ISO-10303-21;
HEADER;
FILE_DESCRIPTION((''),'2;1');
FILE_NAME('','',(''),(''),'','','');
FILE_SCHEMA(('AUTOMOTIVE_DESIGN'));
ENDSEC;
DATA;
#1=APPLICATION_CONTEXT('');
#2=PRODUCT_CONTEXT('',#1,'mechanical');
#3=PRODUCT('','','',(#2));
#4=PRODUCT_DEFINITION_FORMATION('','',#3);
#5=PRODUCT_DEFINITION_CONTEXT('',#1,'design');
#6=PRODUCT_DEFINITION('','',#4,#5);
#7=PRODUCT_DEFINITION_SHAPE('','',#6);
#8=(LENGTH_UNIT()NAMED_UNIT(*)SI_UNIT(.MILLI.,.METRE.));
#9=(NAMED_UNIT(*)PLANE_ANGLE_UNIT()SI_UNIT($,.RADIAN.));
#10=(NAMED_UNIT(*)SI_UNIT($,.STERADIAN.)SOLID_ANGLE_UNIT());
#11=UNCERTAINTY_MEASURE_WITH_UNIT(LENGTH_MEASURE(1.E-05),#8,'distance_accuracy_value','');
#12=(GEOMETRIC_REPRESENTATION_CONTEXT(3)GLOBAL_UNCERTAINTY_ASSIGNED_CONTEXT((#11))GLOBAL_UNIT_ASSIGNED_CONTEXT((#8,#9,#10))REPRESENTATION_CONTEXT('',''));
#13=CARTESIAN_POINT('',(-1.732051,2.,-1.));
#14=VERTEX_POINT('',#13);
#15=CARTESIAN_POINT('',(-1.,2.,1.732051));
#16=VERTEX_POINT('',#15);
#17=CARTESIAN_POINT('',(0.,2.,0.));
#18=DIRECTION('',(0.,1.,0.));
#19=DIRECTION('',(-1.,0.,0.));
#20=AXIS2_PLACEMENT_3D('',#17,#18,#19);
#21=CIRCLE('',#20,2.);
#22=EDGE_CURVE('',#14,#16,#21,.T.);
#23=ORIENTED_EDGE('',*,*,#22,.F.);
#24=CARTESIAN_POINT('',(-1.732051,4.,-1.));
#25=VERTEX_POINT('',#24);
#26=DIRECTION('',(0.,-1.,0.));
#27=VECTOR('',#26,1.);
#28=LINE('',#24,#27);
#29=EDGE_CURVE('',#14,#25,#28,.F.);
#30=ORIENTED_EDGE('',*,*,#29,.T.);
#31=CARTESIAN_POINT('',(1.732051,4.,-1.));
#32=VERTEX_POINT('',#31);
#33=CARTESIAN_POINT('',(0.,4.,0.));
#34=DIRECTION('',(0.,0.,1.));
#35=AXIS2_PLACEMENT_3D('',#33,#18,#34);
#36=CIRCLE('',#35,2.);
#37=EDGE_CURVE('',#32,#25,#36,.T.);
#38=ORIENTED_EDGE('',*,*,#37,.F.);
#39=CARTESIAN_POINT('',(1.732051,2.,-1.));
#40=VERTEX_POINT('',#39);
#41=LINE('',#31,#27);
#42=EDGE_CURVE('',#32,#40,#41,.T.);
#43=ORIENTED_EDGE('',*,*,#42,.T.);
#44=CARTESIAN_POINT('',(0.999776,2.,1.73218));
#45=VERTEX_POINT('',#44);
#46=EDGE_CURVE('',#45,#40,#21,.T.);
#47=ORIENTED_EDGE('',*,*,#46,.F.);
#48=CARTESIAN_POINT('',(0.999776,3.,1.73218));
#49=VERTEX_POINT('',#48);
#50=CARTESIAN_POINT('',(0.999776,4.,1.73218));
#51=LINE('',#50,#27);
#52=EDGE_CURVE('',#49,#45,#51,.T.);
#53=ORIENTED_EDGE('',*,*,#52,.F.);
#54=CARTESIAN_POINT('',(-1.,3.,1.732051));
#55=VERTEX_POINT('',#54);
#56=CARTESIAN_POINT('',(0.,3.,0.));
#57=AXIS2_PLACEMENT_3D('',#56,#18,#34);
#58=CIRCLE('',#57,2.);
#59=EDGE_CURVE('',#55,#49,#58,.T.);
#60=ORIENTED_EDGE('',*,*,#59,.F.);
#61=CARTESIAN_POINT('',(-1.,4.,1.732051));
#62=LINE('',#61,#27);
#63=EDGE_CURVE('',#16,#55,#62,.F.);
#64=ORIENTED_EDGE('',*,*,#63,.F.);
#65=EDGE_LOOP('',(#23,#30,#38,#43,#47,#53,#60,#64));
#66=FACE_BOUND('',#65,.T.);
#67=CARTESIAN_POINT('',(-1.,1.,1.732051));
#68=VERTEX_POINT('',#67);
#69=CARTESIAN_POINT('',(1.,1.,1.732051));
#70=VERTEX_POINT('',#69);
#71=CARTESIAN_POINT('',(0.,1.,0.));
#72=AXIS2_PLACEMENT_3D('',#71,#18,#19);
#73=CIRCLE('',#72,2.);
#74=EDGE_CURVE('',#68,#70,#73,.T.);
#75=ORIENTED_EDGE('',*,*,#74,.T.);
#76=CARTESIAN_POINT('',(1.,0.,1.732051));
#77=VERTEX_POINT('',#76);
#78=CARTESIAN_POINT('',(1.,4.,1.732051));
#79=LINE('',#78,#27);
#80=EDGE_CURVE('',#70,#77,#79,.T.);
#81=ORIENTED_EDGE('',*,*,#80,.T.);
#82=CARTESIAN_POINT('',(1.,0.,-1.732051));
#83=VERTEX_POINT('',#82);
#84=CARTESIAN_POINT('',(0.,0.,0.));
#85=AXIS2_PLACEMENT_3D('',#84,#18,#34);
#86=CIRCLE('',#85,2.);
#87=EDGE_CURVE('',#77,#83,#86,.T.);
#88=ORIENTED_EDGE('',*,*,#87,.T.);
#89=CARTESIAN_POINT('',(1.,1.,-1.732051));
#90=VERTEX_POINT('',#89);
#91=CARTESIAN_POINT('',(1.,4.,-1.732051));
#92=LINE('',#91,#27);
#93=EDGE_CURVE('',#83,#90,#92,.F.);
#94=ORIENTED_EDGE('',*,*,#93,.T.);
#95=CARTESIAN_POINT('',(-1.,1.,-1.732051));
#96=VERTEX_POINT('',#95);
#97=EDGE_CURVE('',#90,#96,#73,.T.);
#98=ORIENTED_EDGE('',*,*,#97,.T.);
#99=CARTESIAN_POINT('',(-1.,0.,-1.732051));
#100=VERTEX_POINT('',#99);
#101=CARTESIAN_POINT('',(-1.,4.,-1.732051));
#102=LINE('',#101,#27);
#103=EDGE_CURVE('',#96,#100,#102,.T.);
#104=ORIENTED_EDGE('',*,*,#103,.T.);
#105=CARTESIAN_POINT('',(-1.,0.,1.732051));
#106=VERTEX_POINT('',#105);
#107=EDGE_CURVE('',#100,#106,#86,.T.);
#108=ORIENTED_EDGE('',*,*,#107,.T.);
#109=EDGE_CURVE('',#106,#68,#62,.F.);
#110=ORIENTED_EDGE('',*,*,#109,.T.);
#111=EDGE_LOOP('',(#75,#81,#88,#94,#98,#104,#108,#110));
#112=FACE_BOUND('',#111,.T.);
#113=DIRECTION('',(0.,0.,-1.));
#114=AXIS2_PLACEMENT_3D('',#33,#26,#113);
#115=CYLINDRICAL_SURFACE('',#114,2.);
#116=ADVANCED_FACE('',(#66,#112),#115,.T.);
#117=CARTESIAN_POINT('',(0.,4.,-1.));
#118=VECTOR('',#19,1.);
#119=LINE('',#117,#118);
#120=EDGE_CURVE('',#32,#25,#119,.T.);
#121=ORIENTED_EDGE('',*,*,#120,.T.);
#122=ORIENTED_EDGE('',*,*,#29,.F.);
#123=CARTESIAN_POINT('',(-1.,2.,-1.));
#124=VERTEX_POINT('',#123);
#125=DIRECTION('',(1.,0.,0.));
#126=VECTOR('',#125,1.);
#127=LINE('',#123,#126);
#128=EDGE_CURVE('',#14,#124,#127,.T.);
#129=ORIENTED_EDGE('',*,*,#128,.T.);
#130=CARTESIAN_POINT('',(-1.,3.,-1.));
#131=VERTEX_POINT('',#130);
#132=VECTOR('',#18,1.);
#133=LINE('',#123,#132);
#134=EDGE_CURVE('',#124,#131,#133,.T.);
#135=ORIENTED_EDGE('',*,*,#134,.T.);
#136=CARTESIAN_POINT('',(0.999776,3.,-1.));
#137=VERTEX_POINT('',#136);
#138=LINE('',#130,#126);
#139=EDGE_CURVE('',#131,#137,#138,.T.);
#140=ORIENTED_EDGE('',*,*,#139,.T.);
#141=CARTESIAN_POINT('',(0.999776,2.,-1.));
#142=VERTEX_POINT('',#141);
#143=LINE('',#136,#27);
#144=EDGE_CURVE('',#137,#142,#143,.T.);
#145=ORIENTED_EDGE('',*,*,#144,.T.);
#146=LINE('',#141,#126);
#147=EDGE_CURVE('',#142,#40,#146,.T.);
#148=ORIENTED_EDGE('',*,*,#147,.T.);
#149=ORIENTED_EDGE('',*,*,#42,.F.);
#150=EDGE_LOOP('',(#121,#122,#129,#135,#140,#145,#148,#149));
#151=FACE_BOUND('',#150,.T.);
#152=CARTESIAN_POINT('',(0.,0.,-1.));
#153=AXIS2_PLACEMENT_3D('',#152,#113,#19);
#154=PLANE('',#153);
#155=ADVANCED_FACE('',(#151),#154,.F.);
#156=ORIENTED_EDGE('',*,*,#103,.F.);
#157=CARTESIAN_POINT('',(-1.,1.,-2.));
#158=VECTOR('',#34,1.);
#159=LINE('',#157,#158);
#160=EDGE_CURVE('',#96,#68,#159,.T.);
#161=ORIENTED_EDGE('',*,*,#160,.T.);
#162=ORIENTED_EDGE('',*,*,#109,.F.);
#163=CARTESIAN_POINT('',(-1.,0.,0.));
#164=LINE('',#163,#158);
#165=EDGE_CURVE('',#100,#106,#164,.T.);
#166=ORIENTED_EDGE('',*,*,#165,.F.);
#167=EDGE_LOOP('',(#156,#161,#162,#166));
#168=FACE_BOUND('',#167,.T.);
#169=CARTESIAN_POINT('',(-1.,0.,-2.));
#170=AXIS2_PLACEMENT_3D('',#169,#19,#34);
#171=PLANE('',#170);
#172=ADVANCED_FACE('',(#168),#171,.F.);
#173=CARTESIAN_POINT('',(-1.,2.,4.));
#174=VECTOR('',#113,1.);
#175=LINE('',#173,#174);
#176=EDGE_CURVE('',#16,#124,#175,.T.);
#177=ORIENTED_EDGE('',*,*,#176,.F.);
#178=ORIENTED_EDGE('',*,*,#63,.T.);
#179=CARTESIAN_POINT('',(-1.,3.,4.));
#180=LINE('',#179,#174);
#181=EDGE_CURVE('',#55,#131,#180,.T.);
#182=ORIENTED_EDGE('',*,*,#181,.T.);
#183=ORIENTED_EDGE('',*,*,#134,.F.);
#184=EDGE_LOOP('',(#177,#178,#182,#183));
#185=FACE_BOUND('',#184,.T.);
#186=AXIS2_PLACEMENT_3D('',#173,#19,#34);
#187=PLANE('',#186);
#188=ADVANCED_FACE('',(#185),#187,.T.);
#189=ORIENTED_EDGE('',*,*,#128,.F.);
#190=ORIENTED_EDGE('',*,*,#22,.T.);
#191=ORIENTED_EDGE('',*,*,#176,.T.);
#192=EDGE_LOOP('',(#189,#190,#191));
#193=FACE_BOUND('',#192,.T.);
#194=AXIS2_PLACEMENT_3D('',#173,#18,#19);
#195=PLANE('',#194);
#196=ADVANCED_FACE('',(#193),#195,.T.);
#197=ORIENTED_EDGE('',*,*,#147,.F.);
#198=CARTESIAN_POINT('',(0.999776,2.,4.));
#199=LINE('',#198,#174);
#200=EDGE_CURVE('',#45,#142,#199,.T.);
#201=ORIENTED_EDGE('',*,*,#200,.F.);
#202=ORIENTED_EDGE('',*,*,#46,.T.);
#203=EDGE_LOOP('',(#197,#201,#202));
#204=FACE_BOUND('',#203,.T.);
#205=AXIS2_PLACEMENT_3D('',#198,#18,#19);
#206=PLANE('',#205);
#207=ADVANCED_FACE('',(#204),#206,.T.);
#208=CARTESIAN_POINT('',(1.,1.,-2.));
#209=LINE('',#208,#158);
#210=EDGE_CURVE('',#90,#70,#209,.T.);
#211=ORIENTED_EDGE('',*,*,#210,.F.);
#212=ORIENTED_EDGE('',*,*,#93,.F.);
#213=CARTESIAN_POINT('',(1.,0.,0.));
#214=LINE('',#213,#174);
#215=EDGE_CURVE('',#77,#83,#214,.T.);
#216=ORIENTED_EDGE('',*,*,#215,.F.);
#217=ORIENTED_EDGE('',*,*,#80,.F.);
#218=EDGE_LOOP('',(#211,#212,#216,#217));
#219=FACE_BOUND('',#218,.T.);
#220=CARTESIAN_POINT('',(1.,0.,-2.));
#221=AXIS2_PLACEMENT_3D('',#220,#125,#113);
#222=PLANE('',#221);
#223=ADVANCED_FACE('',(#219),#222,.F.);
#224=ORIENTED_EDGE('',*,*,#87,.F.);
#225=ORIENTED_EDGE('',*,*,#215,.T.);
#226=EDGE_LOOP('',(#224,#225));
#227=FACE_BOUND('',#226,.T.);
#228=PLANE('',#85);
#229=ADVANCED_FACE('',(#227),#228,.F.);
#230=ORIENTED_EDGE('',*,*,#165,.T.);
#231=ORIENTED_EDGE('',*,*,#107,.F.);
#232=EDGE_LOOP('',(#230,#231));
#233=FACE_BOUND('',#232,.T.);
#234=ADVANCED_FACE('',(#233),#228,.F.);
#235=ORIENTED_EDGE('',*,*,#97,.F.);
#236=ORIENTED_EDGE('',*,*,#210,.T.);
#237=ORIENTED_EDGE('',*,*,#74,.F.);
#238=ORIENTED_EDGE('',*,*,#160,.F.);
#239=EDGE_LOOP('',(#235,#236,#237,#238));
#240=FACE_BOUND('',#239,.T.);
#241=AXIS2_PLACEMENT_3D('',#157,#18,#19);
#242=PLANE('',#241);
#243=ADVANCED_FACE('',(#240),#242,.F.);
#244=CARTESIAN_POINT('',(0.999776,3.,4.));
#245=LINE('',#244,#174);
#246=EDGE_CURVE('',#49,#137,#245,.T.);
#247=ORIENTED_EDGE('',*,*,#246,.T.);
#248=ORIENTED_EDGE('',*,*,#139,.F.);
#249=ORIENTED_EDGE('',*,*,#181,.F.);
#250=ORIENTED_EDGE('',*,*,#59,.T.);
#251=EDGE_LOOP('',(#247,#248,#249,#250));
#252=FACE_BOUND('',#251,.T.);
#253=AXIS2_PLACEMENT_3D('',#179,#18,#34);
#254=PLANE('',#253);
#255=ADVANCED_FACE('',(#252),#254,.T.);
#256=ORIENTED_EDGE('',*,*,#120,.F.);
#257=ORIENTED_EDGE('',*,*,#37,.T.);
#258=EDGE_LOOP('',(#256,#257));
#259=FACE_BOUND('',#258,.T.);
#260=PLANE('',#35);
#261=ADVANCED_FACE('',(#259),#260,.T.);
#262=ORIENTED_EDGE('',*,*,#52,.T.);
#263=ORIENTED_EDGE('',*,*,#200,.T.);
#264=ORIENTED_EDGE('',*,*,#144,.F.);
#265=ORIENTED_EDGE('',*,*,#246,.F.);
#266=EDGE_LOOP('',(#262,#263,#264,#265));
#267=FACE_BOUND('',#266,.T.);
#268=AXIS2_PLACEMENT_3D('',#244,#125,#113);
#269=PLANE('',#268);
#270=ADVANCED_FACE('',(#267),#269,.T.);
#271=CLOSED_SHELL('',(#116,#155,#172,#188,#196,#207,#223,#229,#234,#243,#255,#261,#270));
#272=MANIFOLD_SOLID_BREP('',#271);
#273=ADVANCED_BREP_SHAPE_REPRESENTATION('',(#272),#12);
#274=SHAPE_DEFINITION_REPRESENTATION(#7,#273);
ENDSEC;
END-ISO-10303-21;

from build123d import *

# Parameters (mm, degrees)
SKETCH1_R               = 2
BOSS_EXTRUDE1_DEPTH     = 4
SKETCH2_W               = 2
SKETCH2_H               = 1
CUT_EXTRUDE1_DEPTH      = 2
CUT_EXTRUDE2_DEPTH      = 4
CUT_EXTRUDE2_DEPTH_BACK = 1


with BuildPart() as part:
    # Sketch1 → Boss-Extrude1 (new body)
    with BuildSketch(Plane(origin=(0, 0, 0), x_dir=(1, 0, 0), z_dir=(0, 1, 0))):
        Circle(SKETCH1_R)
    extrude(amount=BOSS_EXTRUDE1_DEPTH)

    # Sketch2 → Cut-Extrude1 (cut, symmetric)
    with BuildSketch(Plane.XY):
        with Locations((0, 0.5)):
            Rectangle(SKETCH2_W, SKETCH2_H)
    extrude(amount=CUT_EXTRUDE1_DEPTH, both=True, mode=Mode.SUBTRACT)

    # Sketch3 → Cut-Extrude2 (cut, two sides)
    with BuildSketch(Plane.XY) as cut_extrude2_sk:
        Polygon((-2, 4), (2, 4), (2, 3), (2, 2), (0.999776138, 2), (0.999776138, 3), (-1, 3), (-1, 2), (-2, 2), align=None)
    extrude(amount=CUT_EXTRUDE2_DEPTH, mode=Mode.SUBTRACT)
    extrude(cut_extrude2_sk.sketch, amount=-CUT_EXTRUDE2_DEPTH_BACK, mode=Mode.SUBTRACT)


solid = part.part
